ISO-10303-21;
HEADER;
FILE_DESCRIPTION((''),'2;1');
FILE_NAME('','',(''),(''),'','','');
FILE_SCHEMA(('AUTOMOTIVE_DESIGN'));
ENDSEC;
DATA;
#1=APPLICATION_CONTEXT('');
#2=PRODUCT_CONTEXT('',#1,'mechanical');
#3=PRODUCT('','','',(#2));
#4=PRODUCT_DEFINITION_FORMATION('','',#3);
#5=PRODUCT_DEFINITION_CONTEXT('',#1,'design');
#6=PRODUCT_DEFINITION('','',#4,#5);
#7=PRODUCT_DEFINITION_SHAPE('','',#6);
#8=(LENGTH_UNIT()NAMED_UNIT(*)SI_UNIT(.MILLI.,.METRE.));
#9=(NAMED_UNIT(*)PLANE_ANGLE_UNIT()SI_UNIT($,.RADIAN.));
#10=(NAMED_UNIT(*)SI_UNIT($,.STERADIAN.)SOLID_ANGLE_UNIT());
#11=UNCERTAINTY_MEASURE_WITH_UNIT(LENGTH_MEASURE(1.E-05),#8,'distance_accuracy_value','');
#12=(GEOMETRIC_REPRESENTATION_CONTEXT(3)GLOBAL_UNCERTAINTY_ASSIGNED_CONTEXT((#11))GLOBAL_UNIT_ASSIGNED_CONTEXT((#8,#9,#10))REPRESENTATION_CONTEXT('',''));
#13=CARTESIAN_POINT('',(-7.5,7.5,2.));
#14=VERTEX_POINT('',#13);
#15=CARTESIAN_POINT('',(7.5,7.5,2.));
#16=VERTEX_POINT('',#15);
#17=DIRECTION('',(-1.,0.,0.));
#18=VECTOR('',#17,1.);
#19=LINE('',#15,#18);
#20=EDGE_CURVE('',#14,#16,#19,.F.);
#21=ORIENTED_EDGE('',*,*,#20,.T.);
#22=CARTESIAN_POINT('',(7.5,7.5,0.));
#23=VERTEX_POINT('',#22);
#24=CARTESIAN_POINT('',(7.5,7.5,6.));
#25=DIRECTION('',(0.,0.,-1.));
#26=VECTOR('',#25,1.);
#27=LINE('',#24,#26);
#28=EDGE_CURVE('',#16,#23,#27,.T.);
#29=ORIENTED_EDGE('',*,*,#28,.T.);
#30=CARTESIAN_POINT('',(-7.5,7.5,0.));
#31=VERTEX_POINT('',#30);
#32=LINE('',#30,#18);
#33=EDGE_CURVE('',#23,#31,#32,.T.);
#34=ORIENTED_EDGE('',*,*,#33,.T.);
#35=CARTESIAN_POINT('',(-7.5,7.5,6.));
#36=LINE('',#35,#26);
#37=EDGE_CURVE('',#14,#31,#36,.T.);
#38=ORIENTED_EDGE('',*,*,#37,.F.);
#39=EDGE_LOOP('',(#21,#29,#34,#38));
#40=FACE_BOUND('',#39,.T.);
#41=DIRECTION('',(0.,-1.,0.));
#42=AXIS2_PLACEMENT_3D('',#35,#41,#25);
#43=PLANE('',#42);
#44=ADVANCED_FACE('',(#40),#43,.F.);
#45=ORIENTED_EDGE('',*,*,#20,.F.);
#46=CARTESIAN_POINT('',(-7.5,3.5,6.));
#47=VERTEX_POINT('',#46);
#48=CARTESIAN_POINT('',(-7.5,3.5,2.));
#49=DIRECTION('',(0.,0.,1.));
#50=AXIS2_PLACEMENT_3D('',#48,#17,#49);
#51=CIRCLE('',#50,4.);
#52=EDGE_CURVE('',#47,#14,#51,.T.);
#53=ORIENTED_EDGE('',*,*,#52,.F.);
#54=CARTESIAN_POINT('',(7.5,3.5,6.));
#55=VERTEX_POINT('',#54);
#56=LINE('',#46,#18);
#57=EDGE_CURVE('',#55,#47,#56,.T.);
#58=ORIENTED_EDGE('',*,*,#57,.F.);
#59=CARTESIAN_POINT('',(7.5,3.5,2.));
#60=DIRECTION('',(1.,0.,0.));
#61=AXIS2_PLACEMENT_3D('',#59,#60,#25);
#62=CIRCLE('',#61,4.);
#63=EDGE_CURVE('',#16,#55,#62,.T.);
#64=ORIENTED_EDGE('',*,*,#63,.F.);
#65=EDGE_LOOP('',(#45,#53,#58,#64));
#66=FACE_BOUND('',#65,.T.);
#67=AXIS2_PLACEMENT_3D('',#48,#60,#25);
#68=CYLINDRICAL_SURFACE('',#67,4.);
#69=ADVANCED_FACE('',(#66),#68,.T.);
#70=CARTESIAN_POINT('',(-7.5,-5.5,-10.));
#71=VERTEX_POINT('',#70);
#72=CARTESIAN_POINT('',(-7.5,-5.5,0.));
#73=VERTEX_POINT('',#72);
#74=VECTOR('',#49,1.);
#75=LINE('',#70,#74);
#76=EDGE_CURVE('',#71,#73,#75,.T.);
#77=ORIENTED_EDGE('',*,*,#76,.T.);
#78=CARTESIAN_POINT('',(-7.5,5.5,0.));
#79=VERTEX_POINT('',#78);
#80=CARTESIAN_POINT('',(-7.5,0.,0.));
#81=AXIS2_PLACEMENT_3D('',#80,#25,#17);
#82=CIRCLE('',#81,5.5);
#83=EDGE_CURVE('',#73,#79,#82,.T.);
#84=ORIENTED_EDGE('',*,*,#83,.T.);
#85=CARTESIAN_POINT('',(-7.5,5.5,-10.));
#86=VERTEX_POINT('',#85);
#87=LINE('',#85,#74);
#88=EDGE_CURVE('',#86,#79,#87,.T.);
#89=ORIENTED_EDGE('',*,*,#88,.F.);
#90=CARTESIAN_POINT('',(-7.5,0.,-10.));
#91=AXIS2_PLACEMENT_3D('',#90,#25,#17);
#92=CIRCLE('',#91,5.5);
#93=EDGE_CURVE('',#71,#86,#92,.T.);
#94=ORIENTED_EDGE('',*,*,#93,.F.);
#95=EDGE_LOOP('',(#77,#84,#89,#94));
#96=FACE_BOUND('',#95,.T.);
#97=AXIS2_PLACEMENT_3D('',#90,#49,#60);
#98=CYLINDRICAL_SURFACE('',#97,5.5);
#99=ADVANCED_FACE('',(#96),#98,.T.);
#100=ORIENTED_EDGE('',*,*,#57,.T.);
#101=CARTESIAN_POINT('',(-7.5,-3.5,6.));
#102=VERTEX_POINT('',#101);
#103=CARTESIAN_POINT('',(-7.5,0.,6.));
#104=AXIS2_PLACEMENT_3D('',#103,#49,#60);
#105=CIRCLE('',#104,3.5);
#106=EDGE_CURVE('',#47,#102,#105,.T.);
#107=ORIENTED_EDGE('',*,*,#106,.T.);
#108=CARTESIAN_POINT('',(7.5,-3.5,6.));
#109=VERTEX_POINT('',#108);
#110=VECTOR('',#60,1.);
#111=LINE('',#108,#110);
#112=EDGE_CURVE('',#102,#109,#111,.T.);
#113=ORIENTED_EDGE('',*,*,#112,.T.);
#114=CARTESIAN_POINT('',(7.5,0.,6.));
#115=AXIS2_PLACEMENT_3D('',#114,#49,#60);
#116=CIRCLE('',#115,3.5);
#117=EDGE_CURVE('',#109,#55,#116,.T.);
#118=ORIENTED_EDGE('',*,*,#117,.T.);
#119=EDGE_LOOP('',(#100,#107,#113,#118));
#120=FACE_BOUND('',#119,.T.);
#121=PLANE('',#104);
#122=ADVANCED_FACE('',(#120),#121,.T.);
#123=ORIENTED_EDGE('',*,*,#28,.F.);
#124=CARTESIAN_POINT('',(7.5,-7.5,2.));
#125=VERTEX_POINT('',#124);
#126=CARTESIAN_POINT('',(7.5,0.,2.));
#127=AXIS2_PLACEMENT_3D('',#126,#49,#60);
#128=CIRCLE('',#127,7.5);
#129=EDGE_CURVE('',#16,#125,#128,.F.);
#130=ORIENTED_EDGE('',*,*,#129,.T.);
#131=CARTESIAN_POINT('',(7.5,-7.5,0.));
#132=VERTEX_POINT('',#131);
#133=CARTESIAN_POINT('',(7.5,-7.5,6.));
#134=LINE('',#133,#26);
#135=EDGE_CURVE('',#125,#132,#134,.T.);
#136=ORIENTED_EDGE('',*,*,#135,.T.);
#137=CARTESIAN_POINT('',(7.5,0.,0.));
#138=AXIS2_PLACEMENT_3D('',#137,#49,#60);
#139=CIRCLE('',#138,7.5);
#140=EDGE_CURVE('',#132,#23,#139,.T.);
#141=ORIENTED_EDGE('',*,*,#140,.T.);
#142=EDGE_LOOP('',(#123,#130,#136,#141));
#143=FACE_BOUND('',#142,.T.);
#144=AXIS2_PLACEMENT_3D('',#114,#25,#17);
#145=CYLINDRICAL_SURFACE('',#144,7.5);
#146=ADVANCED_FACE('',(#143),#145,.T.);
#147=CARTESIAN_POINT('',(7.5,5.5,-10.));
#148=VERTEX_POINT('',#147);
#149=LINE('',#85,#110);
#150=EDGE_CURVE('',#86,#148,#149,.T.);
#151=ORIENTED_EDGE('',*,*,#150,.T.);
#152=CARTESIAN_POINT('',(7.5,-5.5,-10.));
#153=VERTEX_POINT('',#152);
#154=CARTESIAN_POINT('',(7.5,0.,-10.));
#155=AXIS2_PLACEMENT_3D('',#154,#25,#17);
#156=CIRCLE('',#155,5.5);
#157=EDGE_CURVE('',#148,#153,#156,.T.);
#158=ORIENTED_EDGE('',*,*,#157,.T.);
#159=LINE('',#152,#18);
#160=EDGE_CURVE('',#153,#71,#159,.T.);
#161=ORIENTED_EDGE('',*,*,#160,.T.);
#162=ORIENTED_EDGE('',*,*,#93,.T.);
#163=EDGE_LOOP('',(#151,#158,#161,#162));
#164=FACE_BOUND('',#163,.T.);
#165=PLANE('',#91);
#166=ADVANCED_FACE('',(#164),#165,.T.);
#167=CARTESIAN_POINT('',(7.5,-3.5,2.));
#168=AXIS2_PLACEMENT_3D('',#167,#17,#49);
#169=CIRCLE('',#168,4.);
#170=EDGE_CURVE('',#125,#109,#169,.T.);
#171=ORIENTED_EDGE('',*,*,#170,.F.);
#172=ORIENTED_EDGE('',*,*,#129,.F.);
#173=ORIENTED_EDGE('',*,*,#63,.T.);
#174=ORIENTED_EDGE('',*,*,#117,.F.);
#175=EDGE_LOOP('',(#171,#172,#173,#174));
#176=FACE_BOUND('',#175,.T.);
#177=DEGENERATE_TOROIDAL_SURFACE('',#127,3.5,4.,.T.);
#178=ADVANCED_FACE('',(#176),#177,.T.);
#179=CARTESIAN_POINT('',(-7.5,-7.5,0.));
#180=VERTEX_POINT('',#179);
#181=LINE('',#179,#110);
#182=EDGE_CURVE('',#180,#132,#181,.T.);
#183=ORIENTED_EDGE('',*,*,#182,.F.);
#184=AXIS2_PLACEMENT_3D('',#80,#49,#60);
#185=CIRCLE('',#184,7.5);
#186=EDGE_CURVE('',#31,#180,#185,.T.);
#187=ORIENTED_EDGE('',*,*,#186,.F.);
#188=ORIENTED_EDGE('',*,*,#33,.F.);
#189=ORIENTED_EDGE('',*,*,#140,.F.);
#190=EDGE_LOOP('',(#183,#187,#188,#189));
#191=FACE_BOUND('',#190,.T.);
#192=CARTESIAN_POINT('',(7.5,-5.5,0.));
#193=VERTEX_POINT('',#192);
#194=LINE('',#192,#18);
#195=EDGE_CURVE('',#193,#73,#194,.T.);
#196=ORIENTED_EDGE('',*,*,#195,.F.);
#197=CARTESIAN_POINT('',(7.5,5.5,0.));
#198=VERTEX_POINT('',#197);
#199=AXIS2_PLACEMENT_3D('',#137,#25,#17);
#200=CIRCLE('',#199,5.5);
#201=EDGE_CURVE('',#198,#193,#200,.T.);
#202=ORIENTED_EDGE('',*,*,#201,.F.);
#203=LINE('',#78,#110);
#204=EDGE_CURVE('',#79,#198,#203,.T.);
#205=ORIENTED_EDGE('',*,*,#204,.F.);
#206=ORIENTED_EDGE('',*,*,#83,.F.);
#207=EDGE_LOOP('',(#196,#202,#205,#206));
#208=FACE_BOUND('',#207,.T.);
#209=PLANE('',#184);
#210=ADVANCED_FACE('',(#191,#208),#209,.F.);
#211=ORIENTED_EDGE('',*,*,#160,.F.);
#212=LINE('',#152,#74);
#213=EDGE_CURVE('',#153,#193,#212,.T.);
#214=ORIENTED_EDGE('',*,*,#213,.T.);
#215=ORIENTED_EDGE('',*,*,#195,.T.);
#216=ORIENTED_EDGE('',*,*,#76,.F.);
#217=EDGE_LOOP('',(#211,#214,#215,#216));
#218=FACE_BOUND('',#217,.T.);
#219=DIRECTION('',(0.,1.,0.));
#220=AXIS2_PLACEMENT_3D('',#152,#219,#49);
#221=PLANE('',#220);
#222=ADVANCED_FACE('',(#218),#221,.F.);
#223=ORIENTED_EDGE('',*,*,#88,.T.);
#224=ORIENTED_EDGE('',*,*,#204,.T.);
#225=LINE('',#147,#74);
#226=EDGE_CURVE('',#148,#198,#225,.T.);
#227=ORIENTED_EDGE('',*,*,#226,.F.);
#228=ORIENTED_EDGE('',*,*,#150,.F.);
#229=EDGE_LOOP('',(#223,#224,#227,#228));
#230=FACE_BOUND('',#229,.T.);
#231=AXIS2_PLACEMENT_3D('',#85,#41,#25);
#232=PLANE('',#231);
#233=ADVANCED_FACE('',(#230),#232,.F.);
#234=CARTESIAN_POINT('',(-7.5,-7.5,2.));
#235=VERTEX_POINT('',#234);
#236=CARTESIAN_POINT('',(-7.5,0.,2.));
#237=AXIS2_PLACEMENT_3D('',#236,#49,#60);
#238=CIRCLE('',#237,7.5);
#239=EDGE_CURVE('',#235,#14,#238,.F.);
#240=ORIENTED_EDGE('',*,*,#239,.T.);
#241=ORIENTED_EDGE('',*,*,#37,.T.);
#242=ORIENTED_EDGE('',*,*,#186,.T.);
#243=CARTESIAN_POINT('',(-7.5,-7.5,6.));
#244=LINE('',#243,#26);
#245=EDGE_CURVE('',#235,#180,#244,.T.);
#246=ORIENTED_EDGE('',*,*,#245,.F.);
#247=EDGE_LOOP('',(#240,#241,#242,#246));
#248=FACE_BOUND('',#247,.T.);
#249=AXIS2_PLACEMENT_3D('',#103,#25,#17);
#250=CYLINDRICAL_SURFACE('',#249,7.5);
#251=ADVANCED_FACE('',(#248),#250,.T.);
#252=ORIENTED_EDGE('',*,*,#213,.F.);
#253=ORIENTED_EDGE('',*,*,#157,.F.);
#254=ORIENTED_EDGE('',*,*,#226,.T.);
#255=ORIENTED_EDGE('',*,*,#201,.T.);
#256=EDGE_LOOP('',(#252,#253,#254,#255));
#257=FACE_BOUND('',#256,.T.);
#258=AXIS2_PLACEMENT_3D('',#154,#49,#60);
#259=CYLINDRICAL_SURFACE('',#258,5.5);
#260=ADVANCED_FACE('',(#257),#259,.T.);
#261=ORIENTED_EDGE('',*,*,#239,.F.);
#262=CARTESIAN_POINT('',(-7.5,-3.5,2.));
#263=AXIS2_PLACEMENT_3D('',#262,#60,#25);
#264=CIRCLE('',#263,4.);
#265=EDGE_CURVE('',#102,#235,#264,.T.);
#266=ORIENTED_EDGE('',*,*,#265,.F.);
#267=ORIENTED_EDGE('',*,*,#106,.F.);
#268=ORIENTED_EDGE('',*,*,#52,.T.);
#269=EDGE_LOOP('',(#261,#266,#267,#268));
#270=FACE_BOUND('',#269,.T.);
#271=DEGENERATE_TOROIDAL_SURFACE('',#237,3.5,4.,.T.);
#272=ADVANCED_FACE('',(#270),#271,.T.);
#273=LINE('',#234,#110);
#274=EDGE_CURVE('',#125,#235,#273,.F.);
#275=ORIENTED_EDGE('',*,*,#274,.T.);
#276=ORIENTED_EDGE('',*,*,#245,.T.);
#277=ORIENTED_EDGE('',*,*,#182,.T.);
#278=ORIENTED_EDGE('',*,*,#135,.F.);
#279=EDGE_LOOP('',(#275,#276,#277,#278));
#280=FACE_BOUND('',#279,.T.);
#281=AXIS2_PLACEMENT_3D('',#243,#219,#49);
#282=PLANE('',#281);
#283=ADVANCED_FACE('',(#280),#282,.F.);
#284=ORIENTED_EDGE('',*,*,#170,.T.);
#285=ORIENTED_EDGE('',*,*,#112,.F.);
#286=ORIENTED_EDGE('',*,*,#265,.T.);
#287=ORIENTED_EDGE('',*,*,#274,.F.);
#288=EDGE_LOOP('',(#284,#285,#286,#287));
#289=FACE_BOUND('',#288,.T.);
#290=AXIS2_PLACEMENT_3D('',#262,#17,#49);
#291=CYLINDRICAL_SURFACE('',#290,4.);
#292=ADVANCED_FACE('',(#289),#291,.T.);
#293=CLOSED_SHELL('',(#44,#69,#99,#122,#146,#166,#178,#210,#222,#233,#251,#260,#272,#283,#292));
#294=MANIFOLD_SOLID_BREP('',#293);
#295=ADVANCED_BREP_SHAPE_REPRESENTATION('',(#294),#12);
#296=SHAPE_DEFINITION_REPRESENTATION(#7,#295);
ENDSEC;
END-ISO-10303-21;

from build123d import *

# Parameters (mm, degrees)
EXTRUDE_1_DEPTH = 6
EXTRUDE_2_DEPTH = 10
FILLET_1_R      = 4


with BuildPart() as part:
    # Эскиз1 → Бобышка-Вытянуть1 (new body)
    with BuildSketch(Plane.XY):
        with BuildLine():
            Line((-7.5, 7.5), (7.5, 7.5))
            ThreePointArc((7.5, 7.5), (15, 0), (7.5, -7.5))
            Line((7.5, -7.5), (-7.5, -7.5))
            ThreePointArc((-7.5, -7.5), (-15, 0), (-7.5, 7.5))
        make_face()
    extrude(amount=EXTRUDE_1_DEPTH)

    # Эскиз2 → Бобышка-Вытянуть2 (add)
    with BuildSketch(Plane(origin=(0, 0, 0), x_dir=(-1, 0, 0), z_dir=(0, 0, -1))):
        with BuildLine():
            Line((7.5, 5.5), (-7.5, 5.5))
            ThreePointArc((-7.5, 5.5), (-13, 0), (-7.5, -5.5))
            Line((-7.5, -5.5), (7.5, -5.5))
            ThreePointArc((7.5, -5.5), (13, 0), (7.5, 5.5))
        make_face()
    extrude(amount=EXTRUDE_2_DEPTH)

    # Скругление1
    fillet_1_edges = [part.edges().sort_by_distance(p)[0] for p in [
        (15, 0, 6),
        (0, 7.5, 6),
        (-15, 0, 6),
        (0, -7.5, 6),
    ]]
    fillet(fillet_1_edges, radius=FILLET_1_R)


solid = part.part
